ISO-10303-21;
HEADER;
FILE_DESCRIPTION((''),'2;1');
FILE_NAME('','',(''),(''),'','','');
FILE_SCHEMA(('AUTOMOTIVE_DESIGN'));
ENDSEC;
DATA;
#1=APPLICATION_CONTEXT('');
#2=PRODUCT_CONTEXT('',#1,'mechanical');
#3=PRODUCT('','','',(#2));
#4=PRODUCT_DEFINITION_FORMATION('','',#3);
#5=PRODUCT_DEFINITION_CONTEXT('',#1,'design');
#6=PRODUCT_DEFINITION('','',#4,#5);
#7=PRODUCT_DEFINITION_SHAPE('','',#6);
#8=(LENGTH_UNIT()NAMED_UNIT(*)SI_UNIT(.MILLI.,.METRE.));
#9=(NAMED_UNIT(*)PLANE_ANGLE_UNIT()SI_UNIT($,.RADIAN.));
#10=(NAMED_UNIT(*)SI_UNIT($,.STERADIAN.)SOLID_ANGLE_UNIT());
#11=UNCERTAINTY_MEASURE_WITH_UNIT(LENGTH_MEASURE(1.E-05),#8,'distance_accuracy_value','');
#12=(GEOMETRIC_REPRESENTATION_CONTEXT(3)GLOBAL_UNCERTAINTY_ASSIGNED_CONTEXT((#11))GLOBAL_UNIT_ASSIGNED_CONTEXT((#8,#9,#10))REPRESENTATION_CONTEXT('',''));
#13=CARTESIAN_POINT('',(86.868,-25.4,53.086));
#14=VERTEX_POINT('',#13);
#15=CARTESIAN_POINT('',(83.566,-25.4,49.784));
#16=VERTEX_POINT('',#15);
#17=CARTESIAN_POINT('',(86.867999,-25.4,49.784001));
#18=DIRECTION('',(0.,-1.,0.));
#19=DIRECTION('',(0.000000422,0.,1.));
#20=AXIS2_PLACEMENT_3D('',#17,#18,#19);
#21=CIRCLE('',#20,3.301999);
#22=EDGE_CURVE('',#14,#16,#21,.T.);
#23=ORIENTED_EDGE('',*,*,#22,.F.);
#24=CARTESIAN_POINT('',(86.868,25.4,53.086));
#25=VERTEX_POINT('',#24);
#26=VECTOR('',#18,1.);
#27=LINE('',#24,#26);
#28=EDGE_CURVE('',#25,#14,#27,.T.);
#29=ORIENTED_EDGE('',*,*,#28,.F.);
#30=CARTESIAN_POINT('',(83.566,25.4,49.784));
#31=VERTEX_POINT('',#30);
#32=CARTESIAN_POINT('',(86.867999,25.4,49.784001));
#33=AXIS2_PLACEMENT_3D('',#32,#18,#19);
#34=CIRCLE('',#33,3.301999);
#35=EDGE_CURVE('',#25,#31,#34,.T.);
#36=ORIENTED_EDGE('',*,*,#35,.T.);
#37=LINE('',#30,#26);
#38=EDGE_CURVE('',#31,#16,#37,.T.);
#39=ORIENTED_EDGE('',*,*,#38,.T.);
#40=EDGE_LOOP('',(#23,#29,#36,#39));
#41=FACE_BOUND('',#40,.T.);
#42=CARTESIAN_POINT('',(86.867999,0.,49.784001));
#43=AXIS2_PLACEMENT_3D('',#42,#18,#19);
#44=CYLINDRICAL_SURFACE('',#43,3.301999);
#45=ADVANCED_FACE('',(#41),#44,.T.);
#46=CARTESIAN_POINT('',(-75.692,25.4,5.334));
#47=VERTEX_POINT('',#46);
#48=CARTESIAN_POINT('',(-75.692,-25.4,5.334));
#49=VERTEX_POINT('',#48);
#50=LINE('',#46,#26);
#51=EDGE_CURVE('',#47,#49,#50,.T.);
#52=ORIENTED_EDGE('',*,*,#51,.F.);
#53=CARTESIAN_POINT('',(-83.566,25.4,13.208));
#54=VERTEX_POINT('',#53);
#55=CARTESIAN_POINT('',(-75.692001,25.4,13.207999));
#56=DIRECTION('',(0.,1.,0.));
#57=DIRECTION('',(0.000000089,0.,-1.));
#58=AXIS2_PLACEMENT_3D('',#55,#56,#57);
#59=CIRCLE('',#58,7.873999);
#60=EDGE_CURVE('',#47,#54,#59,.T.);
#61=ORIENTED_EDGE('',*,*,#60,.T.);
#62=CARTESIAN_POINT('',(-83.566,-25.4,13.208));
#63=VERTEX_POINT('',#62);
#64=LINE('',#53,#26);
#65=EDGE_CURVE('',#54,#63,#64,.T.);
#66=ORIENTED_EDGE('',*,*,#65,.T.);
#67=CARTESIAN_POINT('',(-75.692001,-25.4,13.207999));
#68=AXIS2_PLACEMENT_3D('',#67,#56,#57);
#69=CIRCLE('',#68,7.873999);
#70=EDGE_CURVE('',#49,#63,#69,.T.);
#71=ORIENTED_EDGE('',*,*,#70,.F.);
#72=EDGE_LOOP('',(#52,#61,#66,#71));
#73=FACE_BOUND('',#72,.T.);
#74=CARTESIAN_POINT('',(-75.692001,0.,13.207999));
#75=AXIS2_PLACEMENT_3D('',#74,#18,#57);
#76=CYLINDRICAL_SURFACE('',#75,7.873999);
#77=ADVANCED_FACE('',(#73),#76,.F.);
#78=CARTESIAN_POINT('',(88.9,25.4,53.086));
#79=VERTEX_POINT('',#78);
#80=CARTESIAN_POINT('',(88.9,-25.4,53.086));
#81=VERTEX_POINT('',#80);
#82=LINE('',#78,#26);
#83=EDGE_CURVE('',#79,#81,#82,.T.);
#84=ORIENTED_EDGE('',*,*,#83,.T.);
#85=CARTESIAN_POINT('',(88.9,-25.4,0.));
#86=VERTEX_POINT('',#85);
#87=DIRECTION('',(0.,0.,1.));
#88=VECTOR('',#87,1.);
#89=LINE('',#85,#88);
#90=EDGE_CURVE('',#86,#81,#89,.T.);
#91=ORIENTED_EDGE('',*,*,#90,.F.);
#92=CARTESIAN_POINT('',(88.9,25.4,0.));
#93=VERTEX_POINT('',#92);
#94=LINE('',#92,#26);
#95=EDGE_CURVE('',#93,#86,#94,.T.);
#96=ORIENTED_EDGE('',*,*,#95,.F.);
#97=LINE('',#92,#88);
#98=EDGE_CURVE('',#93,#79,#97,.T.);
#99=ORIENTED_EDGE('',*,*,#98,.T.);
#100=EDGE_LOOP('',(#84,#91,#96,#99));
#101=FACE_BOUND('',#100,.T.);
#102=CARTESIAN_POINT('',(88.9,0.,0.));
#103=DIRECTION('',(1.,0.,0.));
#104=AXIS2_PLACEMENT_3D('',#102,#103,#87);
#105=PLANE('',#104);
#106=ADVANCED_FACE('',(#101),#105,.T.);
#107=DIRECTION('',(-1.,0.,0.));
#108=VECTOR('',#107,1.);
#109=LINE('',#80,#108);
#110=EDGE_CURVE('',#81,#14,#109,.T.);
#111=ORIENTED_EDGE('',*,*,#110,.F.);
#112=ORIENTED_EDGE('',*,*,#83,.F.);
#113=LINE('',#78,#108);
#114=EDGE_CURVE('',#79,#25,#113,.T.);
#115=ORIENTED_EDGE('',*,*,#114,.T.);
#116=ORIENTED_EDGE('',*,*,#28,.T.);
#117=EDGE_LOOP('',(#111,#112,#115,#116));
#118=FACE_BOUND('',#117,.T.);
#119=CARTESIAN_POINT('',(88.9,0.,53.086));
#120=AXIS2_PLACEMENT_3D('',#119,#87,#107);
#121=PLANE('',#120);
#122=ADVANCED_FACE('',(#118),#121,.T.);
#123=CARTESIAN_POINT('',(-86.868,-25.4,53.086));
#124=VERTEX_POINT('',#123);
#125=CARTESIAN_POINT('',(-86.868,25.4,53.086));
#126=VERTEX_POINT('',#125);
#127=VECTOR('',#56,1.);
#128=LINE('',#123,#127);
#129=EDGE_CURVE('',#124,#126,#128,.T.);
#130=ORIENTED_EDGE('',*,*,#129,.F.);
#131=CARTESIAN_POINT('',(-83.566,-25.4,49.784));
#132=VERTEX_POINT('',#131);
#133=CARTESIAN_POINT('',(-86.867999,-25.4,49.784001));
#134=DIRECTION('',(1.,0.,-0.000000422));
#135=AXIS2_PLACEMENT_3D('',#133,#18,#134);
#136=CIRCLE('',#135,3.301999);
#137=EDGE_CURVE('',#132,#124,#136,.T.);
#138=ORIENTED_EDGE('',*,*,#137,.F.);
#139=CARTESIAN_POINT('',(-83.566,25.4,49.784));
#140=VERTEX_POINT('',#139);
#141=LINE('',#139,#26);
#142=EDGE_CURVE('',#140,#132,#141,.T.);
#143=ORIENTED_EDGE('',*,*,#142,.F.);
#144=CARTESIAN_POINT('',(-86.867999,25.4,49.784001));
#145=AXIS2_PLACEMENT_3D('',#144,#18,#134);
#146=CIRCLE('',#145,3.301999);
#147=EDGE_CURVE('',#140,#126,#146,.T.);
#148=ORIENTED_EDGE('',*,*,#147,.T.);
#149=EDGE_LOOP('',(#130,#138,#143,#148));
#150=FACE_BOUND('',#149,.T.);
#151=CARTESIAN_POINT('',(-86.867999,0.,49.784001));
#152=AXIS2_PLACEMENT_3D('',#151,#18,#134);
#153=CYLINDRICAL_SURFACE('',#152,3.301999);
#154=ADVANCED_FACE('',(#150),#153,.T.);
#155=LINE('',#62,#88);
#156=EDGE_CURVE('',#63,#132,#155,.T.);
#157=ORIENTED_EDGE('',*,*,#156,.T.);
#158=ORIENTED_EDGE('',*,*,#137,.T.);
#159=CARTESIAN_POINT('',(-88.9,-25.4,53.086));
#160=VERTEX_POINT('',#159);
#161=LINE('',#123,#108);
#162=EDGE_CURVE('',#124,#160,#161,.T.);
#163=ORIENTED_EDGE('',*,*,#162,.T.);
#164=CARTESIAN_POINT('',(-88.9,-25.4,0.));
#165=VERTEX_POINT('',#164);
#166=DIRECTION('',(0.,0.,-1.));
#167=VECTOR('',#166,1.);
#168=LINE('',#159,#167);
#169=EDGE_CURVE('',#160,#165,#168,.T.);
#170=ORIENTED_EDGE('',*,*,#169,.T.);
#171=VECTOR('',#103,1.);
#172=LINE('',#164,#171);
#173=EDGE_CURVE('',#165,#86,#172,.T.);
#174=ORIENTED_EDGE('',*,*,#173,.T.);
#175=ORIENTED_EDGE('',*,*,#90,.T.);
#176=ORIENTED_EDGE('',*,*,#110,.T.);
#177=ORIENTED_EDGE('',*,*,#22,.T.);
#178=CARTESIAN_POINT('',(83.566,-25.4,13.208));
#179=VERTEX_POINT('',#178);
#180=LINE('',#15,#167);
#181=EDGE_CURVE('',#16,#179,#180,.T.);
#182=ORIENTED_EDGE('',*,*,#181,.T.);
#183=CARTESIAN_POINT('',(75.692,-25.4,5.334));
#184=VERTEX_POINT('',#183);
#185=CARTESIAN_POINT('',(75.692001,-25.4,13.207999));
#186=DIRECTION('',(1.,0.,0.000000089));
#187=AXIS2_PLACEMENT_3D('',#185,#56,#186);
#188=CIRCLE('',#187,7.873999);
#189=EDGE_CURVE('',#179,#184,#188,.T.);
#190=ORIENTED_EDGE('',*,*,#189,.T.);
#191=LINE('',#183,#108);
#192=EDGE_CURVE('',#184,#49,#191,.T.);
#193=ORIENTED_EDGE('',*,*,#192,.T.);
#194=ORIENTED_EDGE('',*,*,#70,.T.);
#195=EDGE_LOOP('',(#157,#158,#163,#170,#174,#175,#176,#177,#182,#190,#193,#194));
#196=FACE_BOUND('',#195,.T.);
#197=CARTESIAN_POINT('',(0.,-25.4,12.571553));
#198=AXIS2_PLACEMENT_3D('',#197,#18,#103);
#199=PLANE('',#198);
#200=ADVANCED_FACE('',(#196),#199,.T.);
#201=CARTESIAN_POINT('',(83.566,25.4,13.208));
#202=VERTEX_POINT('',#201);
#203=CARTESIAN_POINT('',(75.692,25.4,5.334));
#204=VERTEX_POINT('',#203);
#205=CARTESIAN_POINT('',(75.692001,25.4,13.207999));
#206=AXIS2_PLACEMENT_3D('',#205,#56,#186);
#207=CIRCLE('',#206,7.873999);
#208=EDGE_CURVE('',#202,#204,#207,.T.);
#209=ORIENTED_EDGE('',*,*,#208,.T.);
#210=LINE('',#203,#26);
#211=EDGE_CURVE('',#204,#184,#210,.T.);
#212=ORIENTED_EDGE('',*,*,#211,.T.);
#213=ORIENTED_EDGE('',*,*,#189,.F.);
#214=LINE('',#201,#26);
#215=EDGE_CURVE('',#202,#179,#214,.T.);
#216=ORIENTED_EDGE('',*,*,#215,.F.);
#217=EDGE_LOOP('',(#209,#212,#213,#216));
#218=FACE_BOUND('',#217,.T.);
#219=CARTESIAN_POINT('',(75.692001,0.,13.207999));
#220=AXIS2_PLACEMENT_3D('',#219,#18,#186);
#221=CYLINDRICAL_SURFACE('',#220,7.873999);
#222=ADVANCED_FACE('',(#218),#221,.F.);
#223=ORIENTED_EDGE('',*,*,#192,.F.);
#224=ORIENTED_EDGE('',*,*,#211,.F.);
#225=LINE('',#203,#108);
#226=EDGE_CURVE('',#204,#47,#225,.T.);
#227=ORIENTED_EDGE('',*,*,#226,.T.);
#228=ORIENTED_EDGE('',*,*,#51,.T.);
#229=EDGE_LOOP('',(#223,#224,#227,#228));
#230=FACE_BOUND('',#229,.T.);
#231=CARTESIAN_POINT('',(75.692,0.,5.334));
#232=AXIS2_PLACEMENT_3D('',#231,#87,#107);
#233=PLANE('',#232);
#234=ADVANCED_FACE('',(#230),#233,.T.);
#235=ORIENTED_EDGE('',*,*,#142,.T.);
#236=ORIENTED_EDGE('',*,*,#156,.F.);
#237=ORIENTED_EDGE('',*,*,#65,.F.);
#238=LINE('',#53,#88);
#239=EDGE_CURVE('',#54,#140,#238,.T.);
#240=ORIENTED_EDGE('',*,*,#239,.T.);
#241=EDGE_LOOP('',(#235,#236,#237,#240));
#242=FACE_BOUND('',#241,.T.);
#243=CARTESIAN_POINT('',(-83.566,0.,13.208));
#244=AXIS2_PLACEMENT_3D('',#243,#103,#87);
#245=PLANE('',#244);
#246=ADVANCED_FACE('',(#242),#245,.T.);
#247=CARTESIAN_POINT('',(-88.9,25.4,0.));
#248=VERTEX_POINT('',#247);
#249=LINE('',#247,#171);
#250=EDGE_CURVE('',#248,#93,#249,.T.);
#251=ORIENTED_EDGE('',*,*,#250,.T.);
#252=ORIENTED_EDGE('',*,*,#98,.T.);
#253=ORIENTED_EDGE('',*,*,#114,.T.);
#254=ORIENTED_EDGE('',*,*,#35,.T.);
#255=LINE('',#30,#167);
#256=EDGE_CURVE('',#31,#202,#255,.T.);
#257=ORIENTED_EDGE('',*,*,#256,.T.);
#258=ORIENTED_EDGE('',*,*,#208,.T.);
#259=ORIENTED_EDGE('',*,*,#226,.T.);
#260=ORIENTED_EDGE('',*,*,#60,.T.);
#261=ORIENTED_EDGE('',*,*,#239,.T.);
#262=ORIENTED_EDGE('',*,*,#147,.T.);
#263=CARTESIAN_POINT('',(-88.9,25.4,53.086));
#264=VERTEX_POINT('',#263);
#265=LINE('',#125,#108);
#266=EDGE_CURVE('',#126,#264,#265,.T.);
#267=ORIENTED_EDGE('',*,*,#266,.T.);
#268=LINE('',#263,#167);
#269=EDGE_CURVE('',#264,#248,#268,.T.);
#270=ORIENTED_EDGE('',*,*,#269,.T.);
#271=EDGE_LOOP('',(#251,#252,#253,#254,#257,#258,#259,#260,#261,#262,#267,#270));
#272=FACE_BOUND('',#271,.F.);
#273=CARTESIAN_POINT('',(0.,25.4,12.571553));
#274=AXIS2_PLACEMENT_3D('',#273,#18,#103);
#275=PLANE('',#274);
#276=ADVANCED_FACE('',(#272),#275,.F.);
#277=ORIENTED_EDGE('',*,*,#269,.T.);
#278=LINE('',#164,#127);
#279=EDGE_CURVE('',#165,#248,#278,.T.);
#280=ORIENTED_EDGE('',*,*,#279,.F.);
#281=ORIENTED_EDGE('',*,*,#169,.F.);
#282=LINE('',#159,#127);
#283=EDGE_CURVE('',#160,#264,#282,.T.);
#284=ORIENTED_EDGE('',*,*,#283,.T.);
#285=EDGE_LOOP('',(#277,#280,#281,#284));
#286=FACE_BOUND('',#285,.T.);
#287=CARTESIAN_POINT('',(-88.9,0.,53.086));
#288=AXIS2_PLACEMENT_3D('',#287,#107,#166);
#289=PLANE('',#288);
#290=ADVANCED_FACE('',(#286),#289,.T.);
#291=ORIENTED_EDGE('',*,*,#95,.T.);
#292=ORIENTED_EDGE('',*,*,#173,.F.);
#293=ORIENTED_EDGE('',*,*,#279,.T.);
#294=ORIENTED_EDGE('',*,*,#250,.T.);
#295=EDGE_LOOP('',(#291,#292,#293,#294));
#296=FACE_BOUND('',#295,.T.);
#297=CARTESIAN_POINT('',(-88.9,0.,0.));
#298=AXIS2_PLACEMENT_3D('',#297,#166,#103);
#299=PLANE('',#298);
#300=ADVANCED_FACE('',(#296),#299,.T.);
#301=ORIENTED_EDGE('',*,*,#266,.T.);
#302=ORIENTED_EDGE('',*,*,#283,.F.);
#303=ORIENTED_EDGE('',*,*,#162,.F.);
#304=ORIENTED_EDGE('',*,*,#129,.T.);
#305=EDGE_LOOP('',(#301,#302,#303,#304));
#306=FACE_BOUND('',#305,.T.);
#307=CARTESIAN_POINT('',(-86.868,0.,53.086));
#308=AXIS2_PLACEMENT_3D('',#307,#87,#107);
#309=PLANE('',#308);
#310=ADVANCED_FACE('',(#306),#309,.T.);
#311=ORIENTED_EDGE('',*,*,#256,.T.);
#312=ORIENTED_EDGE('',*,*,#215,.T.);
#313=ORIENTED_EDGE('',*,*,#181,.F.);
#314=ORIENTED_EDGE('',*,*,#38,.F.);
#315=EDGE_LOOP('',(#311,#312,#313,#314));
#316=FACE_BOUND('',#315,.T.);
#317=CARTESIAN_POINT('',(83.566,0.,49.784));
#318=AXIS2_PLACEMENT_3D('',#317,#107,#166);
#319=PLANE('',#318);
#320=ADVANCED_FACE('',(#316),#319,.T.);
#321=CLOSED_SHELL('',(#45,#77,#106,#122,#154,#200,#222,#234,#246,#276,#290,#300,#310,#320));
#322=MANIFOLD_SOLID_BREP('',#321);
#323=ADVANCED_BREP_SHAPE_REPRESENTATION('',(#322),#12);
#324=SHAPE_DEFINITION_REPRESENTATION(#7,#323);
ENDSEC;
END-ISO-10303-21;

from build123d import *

# Parameters (mm, degrees)
F1_DEPTH = 25.4


with BuildPart() as f1:
    # F0 (on Front) → F1 (new body, symmetric)
    with BuildSketch(Plane.XZ):
        with BuildLine():
            Line((-88.9, 0), (0, 0))
            Line((0, 0), (88.9, 0))
            Line((88.9, 0), (88.9, 53.086))
            Line((88.9, 53.086), (86.868, 53.086))
            ThreePointArc((86.868, 53.086), (84.533133, 52.118867), (83.566, 49.784))
            Line((83.566, 49.784), (83.566, 13.208))
            ThreePointArc((83.566, 13.208), (81.259759, 7.640241), (75.692, 5.334))
            Line((75.692, 5.334), (-75.692, 5.334))
            ThreePointArc((-75.692, 5.334), (-81.259759, 7.640241), (-83.566, 13.208))
            Line((-83.566, 13.208), (-83.566, 49.784))
            ThreePointArc((-83.566, 49.784), (-84.533133, 52.118867), (-86.868, 53.086))
            Line((-86.868, 53.086), (-88.9, 53.086))
            Line((-88.9, 53.086), (-88.9, 0))
        make_face()
    extrude(amount=F1_DEPTH, both=True)


solid = f1.part
